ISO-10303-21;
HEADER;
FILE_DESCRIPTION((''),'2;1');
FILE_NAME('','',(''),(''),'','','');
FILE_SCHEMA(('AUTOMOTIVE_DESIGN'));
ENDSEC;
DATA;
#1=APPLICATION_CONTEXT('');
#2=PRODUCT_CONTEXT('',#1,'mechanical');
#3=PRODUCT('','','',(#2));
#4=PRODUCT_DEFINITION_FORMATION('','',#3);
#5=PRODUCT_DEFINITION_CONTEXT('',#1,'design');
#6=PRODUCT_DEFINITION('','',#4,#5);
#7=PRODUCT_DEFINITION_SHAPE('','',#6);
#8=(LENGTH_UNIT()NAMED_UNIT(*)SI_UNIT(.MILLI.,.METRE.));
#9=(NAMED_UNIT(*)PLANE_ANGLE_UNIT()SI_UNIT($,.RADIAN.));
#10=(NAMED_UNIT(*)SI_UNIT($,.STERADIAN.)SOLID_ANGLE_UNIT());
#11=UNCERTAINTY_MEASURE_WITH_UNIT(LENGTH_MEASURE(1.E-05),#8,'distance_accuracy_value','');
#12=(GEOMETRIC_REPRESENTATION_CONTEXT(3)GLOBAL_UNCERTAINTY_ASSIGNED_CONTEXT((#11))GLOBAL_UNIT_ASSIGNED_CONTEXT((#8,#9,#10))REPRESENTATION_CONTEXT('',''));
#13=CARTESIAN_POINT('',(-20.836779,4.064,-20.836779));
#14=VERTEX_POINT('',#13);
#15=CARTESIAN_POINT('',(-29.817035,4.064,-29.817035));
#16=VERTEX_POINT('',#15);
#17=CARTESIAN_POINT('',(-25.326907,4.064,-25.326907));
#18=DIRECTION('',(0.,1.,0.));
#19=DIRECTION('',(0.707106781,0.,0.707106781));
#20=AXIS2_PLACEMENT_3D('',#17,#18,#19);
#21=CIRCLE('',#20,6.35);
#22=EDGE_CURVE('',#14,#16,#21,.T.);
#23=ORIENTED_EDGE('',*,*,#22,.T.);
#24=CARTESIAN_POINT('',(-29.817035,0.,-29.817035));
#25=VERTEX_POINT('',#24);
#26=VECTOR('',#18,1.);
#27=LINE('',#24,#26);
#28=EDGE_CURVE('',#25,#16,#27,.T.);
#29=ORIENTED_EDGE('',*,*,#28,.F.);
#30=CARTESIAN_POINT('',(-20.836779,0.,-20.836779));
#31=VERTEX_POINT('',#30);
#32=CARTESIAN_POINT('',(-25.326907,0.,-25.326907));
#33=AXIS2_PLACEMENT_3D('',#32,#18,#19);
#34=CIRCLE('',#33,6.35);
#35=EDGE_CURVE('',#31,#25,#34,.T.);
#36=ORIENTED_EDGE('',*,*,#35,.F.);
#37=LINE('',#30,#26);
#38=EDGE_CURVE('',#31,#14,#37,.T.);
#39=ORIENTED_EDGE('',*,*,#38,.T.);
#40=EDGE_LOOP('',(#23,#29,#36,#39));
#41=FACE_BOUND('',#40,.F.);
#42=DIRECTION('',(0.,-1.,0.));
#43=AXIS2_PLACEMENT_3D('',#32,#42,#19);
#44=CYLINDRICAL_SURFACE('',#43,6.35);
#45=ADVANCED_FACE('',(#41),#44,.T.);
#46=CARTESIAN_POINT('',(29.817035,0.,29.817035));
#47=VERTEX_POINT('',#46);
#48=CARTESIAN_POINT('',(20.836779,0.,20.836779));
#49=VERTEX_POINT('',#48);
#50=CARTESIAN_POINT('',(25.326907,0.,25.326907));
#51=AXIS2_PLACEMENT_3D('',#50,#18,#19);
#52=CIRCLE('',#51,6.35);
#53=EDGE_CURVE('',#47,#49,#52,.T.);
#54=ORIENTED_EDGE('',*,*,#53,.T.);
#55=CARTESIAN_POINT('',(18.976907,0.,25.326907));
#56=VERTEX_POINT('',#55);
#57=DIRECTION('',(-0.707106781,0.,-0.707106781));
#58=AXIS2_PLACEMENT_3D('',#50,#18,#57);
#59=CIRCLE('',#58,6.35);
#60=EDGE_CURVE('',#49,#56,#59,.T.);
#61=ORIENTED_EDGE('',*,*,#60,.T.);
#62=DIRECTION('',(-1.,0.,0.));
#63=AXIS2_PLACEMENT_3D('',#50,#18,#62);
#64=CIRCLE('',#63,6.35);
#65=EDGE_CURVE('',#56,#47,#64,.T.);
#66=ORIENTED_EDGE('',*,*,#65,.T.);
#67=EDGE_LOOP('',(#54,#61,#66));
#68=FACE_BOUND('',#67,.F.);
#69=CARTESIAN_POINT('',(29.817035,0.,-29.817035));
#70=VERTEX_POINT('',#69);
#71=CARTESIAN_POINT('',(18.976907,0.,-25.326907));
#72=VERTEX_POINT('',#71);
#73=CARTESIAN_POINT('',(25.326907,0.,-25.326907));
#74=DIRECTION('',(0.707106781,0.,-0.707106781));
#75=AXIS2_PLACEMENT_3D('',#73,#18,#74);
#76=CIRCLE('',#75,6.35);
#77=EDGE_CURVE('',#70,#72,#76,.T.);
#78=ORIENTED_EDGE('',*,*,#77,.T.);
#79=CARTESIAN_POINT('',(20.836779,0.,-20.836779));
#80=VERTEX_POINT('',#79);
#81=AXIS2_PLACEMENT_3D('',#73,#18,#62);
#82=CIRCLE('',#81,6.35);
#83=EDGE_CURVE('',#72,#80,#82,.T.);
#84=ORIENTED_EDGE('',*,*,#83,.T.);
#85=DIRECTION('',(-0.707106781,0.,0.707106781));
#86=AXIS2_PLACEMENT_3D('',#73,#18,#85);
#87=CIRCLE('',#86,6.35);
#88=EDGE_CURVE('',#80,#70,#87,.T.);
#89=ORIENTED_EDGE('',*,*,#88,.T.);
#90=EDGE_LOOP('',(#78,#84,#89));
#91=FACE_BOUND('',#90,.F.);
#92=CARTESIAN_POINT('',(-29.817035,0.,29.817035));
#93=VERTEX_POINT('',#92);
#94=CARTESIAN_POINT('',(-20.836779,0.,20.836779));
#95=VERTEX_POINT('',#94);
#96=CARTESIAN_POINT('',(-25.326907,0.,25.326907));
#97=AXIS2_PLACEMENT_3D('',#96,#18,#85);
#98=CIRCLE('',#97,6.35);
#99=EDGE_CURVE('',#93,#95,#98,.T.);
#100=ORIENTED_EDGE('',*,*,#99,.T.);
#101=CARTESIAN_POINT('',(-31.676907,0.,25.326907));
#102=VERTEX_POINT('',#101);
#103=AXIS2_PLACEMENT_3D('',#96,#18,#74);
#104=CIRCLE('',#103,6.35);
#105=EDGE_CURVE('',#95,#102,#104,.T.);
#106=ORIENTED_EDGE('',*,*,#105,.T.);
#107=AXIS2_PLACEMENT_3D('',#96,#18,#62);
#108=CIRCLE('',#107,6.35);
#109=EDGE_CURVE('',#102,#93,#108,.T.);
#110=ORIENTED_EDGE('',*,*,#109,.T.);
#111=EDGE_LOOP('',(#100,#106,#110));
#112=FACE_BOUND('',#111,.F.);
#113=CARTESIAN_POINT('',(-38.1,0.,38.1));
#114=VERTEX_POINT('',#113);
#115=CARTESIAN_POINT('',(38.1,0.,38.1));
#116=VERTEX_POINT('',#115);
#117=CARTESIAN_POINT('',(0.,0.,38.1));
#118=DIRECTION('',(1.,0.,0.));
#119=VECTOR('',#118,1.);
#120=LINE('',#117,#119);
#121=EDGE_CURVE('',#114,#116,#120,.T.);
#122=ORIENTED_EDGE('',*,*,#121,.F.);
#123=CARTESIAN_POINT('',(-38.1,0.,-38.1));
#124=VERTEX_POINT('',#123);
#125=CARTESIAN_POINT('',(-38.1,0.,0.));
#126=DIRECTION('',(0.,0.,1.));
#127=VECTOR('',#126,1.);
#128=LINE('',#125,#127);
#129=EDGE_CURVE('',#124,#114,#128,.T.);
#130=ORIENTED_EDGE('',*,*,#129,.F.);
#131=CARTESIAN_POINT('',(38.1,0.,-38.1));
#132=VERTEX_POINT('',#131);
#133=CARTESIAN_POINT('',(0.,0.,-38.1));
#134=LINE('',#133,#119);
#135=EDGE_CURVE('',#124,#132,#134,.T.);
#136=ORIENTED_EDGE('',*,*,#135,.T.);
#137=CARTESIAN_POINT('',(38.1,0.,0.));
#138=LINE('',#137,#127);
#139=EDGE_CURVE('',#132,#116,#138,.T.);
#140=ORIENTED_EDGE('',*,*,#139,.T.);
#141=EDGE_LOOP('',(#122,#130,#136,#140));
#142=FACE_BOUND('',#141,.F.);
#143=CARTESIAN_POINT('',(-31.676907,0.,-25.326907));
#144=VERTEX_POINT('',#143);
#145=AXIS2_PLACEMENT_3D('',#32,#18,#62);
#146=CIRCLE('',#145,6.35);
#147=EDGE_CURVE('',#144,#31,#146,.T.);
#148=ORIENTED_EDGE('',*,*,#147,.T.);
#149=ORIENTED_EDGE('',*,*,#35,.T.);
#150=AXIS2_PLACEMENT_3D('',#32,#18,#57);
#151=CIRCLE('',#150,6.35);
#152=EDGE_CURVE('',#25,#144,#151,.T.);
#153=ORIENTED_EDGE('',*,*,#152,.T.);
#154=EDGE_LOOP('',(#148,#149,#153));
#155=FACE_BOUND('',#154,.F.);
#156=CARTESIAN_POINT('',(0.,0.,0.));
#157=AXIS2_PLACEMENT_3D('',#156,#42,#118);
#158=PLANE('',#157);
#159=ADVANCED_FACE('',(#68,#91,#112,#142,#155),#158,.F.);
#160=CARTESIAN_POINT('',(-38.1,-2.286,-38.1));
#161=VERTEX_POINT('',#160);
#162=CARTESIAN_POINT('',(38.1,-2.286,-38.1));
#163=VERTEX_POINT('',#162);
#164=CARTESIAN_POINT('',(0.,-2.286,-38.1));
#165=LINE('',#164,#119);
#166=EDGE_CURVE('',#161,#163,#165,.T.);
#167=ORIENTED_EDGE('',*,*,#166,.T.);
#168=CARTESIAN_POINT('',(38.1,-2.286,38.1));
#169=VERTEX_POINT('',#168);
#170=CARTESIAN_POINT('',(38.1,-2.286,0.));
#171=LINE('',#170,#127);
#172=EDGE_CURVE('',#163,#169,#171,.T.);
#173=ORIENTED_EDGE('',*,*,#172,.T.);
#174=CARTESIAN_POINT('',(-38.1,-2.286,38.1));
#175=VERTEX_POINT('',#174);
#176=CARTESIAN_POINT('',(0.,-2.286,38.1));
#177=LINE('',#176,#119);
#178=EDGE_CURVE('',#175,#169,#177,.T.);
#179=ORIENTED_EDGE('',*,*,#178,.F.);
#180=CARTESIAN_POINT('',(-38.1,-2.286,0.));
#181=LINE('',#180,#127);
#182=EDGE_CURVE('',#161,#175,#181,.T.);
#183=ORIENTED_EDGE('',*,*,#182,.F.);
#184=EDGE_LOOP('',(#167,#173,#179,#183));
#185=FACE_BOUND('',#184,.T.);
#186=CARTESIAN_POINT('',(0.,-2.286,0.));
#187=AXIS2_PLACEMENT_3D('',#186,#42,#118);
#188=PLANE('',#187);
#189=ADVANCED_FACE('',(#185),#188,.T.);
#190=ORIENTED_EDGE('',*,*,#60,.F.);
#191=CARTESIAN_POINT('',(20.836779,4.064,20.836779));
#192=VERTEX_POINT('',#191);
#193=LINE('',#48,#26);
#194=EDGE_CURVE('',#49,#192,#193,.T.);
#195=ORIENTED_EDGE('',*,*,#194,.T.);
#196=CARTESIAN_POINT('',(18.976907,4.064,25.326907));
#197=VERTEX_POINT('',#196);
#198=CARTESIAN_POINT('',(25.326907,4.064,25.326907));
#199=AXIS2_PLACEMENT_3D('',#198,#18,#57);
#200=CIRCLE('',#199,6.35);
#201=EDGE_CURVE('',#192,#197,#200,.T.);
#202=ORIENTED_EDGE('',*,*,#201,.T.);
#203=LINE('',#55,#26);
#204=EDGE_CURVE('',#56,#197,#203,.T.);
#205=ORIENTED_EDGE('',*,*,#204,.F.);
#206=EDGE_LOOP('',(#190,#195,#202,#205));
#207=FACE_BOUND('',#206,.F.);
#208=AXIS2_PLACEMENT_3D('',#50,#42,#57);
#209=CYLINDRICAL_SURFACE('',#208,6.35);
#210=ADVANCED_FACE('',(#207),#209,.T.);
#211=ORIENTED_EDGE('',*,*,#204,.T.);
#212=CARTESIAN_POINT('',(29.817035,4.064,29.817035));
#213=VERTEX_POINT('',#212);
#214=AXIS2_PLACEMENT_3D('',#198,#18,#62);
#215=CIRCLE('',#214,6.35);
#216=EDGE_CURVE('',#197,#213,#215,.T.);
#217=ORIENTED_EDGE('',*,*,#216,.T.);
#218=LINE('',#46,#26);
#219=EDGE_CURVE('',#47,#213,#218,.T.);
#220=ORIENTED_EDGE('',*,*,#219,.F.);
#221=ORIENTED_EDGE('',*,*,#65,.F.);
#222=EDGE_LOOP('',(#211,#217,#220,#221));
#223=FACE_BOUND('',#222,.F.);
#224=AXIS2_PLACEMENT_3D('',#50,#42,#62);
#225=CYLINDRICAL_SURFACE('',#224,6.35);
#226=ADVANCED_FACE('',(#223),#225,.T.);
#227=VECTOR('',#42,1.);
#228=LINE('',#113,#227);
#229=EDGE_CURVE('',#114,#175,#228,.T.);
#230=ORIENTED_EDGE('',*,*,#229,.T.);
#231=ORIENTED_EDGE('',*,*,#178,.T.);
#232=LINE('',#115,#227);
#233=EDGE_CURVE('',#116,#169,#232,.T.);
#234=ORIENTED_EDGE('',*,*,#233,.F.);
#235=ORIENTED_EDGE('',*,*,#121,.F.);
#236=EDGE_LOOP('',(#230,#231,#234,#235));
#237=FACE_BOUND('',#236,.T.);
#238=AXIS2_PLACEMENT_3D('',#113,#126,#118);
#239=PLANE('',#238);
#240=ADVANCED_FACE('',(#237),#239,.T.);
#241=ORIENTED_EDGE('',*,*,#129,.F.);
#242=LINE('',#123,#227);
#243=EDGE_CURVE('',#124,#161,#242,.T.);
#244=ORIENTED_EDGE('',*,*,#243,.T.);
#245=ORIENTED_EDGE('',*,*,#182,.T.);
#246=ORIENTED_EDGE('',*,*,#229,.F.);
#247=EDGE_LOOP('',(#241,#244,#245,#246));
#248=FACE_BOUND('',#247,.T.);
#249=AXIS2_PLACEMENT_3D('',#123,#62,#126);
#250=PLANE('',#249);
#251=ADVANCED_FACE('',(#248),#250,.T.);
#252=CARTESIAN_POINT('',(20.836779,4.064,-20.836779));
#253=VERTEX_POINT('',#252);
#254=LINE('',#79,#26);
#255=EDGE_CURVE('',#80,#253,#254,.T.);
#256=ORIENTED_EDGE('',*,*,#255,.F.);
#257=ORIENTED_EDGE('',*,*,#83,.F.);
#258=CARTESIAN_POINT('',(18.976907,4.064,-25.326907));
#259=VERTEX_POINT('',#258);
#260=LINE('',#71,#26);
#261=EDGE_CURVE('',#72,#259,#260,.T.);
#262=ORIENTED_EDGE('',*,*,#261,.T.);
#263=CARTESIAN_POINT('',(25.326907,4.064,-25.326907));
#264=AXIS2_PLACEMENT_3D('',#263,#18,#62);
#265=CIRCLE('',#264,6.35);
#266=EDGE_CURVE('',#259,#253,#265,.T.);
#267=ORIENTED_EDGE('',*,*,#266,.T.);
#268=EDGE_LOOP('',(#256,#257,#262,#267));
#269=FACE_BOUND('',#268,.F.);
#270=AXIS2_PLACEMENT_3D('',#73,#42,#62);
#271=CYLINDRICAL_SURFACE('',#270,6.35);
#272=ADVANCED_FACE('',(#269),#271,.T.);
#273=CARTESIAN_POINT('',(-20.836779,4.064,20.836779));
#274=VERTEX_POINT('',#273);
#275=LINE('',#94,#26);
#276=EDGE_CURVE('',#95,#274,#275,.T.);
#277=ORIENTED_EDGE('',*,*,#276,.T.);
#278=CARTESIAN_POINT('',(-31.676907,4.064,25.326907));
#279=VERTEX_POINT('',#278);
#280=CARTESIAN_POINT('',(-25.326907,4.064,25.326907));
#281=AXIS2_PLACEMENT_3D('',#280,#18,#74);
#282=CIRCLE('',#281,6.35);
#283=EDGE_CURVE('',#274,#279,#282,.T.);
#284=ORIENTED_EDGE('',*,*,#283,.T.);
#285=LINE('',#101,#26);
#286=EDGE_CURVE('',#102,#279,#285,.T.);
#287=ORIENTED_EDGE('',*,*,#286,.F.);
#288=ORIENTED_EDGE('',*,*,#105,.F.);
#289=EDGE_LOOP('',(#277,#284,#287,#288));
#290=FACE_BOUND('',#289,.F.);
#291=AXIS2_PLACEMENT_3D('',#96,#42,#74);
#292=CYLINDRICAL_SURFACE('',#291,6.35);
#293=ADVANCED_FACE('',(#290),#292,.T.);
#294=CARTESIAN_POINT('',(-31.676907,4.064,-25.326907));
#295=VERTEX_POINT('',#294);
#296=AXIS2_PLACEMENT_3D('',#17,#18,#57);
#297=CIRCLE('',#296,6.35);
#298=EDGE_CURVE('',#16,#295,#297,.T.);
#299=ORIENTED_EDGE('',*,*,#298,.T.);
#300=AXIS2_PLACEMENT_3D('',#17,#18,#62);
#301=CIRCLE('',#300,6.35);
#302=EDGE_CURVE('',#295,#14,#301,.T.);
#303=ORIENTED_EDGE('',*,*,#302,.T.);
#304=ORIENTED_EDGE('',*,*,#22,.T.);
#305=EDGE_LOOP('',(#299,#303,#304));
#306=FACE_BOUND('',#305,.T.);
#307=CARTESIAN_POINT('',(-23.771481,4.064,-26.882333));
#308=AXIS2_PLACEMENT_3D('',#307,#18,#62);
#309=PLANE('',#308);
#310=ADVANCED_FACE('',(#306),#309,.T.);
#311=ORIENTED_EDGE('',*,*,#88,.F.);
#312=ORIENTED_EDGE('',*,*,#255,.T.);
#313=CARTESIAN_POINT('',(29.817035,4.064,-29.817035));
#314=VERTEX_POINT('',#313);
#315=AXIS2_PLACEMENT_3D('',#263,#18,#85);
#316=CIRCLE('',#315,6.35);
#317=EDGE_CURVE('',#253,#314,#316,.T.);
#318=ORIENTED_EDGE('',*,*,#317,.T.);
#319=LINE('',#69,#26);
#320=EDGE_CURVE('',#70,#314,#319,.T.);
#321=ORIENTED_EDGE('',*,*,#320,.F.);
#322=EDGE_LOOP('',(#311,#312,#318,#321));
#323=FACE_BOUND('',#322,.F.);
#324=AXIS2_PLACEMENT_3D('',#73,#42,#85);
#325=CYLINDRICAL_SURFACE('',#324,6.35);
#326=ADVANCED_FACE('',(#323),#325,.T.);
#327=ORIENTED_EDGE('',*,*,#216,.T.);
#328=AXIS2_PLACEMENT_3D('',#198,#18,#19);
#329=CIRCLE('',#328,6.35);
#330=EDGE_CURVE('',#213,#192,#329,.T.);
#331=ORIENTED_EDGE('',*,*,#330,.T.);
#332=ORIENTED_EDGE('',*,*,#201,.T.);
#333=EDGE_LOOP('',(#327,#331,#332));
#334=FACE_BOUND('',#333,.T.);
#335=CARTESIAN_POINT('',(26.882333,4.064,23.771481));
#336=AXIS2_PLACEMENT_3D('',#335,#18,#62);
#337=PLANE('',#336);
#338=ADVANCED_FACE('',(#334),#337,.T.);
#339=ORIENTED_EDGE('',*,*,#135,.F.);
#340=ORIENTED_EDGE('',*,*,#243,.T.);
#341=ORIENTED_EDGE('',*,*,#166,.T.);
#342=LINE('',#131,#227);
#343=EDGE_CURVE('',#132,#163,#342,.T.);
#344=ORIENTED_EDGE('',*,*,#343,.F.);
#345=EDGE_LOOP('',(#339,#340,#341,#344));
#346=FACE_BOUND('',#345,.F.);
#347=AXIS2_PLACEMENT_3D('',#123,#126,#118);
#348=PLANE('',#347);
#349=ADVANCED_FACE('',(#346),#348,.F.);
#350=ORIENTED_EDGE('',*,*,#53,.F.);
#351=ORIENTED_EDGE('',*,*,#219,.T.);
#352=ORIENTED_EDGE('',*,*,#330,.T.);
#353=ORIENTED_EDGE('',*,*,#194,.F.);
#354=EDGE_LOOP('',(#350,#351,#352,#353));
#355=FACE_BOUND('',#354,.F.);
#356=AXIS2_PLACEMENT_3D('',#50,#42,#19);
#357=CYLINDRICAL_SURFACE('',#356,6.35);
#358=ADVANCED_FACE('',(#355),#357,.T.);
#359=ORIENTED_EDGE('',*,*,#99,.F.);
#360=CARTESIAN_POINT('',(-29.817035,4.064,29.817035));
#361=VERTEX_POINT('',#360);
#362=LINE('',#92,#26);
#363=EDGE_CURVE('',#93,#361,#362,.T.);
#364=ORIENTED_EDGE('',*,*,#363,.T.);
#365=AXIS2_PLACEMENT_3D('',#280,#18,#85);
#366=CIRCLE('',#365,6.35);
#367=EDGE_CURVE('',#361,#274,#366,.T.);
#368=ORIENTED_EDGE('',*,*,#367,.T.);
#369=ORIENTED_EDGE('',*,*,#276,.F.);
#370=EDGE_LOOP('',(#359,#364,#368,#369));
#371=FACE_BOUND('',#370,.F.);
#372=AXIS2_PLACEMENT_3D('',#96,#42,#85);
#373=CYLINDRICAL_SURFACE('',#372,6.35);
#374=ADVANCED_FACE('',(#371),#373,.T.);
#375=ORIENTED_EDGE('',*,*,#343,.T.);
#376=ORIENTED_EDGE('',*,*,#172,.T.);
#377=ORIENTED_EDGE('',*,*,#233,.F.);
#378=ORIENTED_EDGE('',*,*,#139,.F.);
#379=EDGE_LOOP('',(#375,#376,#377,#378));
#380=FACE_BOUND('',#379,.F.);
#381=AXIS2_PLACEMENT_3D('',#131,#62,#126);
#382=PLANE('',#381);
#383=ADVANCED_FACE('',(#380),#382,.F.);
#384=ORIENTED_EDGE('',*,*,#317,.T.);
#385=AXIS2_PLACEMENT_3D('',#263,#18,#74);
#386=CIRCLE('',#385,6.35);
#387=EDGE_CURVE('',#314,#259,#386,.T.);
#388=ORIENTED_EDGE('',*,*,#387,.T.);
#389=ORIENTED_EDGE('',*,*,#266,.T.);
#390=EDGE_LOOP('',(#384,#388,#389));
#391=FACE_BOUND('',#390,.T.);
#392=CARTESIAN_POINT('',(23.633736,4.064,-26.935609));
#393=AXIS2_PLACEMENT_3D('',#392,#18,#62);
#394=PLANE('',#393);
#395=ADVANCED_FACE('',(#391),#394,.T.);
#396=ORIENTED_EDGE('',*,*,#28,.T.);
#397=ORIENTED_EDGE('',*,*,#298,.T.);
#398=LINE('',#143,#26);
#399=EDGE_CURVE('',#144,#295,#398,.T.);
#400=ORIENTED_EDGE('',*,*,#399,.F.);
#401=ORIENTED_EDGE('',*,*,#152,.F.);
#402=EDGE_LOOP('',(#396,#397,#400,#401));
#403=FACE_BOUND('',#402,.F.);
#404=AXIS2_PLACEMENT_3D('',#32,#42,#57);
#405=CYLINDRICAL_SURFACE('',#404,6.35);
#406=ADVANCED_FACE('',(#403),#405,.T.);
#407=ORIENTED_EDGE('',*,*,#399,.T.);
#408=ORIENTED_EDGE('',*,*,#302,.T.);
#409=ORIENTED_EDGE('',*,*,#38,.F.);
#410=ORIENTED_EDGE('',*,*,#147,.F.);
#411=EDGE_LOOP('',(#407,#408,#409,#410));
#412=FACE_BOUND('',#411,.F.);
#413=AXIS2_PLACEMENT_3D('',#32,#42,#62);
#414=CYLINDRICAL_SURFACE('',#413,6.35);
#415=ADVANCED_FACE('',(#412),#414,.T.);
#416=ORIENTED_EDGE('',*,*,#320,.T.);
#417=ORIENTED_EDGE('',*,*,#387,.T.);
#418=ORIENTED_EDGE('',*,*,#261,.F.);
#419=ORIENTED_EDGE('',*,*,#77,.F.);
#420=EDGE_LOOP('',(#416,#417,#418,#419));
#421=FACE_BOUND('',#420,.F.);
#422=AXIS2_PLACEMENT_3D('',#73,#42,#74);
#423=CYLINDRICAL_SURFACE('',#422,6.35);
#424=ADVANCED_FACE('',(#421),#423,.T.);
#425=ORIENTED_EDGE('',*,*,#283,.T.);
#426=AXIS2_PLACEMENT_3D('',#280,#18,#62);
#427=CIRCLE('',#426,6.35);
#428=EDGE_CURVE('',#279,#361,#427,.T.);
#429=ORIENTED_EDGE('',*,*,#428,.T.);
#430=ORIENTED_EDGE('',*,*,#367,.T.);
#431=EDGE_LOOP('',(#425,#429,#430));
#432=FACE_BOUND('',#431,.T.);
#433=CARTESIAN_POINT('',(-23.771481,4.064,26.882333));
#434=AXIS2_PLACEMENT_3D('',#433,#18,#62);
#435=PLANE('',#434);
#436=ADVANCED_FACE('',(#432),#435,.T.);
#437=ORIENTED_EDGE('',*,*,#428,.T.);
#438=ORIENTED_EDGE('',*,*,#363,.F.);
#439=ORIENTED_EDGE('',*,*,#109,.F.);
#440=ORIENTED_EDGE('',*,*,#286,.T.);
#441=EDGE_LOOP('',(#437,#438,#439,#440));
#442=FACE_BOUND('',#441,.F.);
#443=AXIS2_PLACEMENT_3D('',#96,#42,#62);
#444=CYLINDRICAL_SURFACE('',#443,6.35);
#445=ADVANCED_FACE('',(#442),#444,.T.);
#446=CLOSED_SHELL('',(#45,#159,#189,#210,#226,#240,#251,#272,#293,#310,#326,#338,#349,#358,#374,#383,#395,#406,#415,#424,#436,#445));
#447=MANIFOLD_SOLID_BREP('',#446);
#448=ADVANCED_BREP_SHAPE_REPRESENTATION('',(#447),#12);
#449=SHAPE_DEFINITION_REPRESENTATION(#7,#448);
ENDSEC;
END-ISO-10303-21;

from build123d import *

# Parameters (mm, degrees)
F0_W     = 76.2
F0_H     = 76.2
F1_DEPTH = 2.286
F3_DEPTH = 4.064


with BuildPart() as f1:
    # F0 (on Front) → F1 (new body)
    with BuildSketch(Plane.XZ):
        Rectangle(F0_W, F0_H)
    extrude(amount=F1_DEPTH)

    # F2 (on face) → F3 (join)
    with BuildSketch(Plane(origin=(0, 0, 0), x_dir=(-1, 0, 0), z_dir=(0, 1, 0))):
        with BuildLine():
            ThreePointArc((20.8367786429, -20.8367786429), (20.8367786429, -29.8170347639), (29.8170347639, -29.8170347639))
            Line((29.8170347639, -29.8170347639), (20.8367786429, -20.8367786429))
        make_face()
        with BuildLine():
            Line((-20.8367786429, -20.8367786429), (-29.8170347639, -29.8170347639))
            ThreePointArc((-29.8170347639, -29.8170347639), (-22.8968669079, -31.1935417349), (-18.9769067034, -25.3269067034))
            ThreePointArc((-18.9769067034, -25.3269067034), (-19.460271672, -22.8968669079), (-20.8367786429, -20.8367786429))
        make_face()
        with BuildLine():
            ThreePointArc((-20.8367786429, -20.8367786429), (-29.8170347639, -20.8367786429), (-29.8170347639, -29.8170347639))
            Line((-29.8170347639, -29.8170347639), (-20.8367786429, -20.8367786429))
        make_face()
        with BuildLine():
            Line((-20.8367786429, 20.8367786429), (-29.8170347639, 29.8170347639))
            ThreePointArc((-29.8170347639, 29.8170347639), (-29.8170347639, 20.8367786429), (-20.8367786429, 20.8367786429))
        make_face()
        with BuildLine():
            ThreePointArc((-18.9769067034, 25.3269067034), (-22.8968669079, 31.1935417349), (-29.8170347639, 29.8170347639))
            Line((-29.8170347639, 29.8170347639), (-20.8367786429, 20.8367786429))
            ThreePointArc((-20.8367786429, 20.8367786429), (-19.460271672, 22.8968669079), (-18.9769067034, 25.3269067034))
        make_face()
        with BuildLine():
            Line((20.8367786429, 20.8367786429), (29.8170347639, 29.8170347639))
            ThreePointArc((29.8170347639, 29.8170347639), (20.8367786429, 29.8170347639), (20.8367786429, 20.8367786429))
        make_face()
        with BuildLine():
            ThreePointArc((31.6769067034, 25.3269067034), (31.1935417349, 27.7569464989), (29.8170347639, 29.8170347639))
            Line((29.8170347639, 29.8170347639), (20.8367786429, 20.8367786429))
            ThreePointArc((20.8367786429, 20.8367786429), (27.7569464989, 19.460271672), (31.6769067034, 25.3269067034))
        make_face()
        with BuildLine():
            Line((20.8367786429, -20.8367786429), (29.8170347639, -29.8170347639))
            ThreePointArc((29.8170347639, -29.8170347639), (31.1935417349, -27.7569464989), (31.6769067034, -25.3269067034))
            ThreePointArc((31.6769067034, -25.3269067034), (27.7569464989, -19.460271672), (20.8367786429, -20.8367786429))
        make_face()
    extrude(amount=F3_DEPTH)


solid = f1.part
